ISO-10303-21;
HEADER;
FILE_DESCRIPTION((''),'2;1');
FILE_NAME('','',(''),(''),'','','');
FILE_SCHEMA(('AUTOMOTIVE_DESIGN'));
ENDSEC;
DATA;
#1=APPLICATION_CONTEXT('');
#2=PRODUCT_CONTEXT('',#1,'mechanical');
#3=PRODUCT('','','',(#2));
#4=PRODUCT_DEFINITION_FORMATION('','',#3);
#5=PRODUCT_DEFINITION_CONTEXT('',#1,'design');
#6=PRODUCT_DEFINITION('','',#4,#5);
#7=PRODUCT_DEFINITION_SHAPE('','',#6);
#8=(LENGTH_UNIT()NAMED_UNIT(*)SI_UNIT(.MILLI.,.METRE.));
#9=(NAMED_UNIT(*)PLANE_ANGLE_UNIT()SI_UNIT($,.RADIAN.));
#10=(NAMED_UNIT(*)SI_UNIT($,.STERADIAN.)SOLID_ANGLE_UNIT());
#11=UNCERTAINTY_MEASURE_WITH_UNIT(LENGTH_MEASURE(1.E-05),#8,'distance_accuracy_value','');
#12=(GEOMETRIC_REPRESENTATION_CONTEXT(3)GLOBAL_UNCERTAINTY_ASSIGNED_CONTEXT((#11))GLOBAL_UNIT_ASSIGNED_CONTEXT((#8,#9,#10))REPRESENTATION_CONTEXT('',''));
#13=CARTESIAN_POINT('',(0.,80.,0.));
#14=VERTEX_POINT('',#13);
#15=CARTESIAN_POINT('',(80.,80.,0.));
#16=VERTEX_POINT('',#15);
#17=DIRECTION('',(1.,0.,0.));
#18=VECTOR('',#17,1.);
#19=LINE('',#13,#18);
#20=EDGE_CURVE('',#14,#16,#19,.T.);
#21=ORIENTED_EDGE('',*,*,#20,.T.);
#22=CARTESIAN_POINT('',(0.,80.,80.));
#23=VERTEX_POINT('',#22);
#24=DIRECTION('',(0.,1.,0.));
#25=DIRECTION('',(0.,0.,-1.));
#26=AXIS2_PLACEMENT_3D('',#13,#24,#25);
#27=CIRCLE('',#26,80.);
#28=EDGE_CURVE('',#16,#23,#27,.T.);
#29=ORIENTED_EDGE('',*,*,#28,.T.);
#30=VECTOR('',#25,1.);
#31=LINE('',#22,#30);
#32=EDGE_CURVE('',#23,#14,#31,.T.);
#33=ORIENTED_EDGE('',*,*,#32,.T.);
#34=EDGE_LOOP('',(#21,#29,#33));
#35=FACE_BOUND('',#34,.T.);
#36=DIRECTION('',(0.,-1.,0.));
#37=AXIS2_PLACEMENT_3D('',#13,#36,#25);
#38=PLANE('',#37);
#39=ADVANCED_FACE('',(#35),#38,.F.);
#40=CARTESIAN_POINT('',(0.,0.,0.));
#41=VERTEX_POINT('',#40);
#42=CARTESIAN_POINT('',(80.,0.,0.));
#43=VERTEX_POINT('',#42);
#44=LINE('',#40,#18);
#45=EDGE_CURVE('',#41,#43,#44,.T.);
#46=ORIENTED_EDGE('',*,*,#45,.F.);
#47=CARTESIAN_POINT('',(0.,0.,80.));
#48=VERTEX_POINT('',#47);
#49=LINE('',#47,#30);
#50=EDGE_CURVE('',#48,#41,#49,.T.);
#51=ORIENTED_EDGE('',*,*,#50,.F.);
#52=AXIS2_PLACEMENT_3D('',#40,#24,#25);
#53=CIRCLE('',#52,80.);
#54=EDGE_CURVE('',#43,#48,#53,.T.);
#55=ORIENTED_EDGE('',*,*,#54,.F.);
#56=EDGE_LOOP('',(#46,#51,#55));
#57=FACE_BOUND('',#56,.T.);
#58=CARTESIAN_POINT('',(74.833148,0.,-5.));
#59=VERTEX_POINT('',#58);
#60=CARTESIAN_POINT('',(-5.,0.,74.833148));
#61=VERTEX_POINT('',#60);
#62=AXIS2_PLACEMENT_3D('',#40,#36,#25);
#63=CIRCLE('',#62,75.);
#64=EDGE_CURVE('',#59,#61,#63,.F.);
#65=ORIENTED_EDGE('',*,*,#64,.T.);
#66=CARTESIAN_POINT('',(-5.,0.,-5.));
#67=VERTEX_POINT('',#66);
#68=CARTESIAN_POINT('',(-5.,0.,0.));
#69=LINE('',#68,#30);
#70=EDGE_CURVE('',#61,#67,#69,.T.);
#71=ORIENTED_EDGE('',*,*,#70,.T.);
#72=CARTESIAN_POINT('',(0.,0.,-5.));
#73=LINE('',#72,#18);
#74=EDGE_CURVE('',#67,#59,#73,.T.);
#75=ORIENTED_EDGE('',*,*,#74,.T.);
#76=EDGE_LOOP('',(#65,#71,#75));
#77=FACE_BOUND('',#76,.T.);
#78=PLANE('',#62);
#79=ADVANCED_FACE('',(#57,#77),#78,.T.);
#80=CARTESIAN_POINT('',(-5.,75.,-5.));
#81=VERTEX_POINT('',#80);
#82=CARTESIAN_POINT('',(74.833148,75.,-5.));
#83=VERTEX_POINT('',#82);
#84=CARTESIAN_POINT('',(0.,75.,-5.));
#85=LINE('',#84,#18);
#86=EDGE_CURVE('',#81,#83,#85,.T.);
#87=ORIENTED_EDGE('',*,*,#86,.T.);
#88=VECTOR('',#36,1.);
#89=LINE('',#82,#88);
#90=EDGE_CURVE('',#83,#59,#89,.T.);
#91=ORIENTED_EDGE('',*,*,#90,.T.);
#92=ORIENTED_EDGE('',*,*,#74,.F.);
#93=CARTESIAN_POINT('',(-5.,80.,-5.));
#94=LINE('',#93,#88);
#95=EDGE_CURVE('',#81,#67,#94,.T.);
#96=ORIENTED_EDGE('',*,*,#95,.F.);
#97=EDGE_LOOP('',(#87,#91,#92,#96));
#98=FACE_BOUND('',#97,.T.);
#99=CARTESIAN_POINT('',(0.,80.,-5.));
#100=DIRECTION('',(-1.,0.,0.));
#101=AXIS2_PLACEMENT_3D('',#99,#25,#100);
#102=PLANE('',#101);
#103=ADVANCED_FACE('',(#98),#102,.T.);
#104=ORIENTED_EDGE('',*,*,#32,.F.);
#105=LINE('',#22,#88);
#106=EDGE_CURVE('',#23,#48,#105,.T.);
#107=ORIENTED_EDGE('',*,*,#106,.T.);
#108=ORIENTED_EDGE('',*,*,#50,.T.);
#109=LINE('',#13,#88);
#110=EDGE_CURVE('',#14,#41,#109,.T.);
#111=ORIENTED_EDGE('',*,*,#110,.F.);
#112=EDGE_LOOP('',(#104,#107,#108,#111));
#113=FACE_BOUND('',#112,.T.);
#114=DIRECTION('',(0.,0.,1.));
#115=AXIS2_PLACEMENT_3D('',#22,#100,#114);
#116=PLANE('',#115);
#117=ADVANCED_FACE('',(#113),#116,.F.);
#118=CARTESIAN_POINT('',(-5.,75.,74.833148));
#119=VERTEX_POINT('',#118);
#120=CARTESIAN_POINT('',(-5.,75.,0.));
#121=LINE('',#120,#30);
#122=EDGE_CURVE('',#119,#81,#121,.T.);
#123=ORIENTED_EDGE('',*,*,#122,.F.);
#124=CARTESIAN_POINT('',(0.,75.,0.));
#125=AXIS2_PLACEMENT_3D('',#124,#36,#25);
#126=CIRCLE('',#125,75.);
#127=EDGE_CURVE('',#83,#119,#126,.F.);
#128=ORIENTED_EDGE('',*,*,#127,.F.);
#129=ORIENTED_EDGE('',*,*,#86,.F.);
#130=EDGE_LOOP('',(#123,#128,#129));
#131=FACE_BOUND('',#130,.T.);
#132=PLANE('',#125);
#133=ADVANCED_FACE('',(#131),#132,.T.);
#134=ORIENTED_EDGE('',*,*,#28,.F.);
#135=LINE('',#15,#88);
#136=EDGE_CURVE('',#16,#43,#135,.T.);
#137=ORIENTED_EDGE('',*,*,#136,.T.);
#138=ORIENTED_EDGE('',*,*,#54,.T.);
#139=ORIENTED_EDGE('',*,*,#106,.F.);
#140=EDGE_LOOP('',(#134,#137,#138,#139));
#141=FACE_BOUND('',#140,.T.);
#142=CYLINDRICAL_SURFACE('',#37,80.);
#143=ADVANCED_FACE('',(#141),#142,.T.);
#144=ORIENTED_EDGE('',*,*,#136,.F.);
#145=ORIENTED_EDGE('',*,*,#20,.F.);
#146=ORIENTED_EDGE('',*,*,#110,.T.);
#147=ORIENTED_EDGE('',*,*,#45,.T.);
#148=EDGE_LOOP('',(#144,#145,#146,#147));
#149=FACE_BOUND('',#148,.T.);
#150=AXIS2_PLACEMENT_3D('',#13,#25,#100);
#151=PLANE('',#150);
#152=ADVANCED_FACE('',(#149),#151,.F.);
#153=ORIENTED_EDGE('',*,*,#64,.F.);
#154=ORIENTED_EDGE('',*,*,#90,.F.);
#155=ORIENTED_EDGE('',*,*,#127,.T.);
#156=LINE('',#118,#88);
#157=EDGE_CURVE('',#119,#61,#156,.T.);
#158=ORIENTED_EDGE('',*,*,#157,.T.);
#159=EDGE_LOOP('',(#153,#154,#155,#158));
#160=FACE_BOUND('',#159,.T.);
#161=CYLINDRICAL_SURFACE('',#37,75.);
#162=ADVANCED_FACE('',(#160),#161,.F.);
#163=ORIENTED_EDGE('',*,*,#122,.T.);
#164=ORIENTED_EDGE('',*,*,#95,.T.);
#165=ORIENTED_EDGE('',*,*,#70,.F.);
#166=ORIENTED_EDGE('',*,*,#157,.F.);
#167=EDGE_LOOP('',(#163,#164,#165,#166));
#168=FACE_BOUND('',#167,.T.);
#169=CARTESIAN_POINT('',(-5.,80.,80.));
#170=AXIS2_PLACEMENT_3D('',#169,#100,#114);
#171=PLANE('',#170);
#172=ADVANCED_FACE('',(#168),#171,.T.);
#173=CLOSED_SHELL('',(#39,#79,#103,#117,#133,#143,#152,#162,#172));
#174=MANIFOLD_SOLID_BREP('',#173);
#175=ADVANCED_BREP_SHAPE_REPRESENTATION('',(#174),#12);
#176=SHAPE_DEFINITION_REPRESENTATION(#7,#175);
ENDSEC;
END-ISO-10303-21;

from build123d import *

# Parameters (mm, degrees)
BOSS_EXTRUDE1_DEPTH = 80
SHELL1_T            = -5


with BuildPart() as part:
    # Sketch2 → Boss-Extrude1 (new body)
    with BuildSketch(Plane(origin=(0, 0, 0), x_dir=(1, 0, 0), z_dir=(0, 1, 0))):
        with BuildLine():
            Line((0, 0), (80, 0))
            ThreePointArc((80, 0), (-56.568542495, 56.568542495), (0, -80))
            Line((0, -80), (0, 0))
        make_face()
    extrude(amount=BOSS_EXTRUDE1_DEPTH)

    # Shell1
    shell1_openings = [part.faces().sort_by_distance(p)[0] for p in [
        (-5.522847498, 0, -5.522847498),
    ]]
    offset(amount=SHELL1_T, openings=shell1_openings, kind=Kind.INTERSECTION)


solid = part.part
